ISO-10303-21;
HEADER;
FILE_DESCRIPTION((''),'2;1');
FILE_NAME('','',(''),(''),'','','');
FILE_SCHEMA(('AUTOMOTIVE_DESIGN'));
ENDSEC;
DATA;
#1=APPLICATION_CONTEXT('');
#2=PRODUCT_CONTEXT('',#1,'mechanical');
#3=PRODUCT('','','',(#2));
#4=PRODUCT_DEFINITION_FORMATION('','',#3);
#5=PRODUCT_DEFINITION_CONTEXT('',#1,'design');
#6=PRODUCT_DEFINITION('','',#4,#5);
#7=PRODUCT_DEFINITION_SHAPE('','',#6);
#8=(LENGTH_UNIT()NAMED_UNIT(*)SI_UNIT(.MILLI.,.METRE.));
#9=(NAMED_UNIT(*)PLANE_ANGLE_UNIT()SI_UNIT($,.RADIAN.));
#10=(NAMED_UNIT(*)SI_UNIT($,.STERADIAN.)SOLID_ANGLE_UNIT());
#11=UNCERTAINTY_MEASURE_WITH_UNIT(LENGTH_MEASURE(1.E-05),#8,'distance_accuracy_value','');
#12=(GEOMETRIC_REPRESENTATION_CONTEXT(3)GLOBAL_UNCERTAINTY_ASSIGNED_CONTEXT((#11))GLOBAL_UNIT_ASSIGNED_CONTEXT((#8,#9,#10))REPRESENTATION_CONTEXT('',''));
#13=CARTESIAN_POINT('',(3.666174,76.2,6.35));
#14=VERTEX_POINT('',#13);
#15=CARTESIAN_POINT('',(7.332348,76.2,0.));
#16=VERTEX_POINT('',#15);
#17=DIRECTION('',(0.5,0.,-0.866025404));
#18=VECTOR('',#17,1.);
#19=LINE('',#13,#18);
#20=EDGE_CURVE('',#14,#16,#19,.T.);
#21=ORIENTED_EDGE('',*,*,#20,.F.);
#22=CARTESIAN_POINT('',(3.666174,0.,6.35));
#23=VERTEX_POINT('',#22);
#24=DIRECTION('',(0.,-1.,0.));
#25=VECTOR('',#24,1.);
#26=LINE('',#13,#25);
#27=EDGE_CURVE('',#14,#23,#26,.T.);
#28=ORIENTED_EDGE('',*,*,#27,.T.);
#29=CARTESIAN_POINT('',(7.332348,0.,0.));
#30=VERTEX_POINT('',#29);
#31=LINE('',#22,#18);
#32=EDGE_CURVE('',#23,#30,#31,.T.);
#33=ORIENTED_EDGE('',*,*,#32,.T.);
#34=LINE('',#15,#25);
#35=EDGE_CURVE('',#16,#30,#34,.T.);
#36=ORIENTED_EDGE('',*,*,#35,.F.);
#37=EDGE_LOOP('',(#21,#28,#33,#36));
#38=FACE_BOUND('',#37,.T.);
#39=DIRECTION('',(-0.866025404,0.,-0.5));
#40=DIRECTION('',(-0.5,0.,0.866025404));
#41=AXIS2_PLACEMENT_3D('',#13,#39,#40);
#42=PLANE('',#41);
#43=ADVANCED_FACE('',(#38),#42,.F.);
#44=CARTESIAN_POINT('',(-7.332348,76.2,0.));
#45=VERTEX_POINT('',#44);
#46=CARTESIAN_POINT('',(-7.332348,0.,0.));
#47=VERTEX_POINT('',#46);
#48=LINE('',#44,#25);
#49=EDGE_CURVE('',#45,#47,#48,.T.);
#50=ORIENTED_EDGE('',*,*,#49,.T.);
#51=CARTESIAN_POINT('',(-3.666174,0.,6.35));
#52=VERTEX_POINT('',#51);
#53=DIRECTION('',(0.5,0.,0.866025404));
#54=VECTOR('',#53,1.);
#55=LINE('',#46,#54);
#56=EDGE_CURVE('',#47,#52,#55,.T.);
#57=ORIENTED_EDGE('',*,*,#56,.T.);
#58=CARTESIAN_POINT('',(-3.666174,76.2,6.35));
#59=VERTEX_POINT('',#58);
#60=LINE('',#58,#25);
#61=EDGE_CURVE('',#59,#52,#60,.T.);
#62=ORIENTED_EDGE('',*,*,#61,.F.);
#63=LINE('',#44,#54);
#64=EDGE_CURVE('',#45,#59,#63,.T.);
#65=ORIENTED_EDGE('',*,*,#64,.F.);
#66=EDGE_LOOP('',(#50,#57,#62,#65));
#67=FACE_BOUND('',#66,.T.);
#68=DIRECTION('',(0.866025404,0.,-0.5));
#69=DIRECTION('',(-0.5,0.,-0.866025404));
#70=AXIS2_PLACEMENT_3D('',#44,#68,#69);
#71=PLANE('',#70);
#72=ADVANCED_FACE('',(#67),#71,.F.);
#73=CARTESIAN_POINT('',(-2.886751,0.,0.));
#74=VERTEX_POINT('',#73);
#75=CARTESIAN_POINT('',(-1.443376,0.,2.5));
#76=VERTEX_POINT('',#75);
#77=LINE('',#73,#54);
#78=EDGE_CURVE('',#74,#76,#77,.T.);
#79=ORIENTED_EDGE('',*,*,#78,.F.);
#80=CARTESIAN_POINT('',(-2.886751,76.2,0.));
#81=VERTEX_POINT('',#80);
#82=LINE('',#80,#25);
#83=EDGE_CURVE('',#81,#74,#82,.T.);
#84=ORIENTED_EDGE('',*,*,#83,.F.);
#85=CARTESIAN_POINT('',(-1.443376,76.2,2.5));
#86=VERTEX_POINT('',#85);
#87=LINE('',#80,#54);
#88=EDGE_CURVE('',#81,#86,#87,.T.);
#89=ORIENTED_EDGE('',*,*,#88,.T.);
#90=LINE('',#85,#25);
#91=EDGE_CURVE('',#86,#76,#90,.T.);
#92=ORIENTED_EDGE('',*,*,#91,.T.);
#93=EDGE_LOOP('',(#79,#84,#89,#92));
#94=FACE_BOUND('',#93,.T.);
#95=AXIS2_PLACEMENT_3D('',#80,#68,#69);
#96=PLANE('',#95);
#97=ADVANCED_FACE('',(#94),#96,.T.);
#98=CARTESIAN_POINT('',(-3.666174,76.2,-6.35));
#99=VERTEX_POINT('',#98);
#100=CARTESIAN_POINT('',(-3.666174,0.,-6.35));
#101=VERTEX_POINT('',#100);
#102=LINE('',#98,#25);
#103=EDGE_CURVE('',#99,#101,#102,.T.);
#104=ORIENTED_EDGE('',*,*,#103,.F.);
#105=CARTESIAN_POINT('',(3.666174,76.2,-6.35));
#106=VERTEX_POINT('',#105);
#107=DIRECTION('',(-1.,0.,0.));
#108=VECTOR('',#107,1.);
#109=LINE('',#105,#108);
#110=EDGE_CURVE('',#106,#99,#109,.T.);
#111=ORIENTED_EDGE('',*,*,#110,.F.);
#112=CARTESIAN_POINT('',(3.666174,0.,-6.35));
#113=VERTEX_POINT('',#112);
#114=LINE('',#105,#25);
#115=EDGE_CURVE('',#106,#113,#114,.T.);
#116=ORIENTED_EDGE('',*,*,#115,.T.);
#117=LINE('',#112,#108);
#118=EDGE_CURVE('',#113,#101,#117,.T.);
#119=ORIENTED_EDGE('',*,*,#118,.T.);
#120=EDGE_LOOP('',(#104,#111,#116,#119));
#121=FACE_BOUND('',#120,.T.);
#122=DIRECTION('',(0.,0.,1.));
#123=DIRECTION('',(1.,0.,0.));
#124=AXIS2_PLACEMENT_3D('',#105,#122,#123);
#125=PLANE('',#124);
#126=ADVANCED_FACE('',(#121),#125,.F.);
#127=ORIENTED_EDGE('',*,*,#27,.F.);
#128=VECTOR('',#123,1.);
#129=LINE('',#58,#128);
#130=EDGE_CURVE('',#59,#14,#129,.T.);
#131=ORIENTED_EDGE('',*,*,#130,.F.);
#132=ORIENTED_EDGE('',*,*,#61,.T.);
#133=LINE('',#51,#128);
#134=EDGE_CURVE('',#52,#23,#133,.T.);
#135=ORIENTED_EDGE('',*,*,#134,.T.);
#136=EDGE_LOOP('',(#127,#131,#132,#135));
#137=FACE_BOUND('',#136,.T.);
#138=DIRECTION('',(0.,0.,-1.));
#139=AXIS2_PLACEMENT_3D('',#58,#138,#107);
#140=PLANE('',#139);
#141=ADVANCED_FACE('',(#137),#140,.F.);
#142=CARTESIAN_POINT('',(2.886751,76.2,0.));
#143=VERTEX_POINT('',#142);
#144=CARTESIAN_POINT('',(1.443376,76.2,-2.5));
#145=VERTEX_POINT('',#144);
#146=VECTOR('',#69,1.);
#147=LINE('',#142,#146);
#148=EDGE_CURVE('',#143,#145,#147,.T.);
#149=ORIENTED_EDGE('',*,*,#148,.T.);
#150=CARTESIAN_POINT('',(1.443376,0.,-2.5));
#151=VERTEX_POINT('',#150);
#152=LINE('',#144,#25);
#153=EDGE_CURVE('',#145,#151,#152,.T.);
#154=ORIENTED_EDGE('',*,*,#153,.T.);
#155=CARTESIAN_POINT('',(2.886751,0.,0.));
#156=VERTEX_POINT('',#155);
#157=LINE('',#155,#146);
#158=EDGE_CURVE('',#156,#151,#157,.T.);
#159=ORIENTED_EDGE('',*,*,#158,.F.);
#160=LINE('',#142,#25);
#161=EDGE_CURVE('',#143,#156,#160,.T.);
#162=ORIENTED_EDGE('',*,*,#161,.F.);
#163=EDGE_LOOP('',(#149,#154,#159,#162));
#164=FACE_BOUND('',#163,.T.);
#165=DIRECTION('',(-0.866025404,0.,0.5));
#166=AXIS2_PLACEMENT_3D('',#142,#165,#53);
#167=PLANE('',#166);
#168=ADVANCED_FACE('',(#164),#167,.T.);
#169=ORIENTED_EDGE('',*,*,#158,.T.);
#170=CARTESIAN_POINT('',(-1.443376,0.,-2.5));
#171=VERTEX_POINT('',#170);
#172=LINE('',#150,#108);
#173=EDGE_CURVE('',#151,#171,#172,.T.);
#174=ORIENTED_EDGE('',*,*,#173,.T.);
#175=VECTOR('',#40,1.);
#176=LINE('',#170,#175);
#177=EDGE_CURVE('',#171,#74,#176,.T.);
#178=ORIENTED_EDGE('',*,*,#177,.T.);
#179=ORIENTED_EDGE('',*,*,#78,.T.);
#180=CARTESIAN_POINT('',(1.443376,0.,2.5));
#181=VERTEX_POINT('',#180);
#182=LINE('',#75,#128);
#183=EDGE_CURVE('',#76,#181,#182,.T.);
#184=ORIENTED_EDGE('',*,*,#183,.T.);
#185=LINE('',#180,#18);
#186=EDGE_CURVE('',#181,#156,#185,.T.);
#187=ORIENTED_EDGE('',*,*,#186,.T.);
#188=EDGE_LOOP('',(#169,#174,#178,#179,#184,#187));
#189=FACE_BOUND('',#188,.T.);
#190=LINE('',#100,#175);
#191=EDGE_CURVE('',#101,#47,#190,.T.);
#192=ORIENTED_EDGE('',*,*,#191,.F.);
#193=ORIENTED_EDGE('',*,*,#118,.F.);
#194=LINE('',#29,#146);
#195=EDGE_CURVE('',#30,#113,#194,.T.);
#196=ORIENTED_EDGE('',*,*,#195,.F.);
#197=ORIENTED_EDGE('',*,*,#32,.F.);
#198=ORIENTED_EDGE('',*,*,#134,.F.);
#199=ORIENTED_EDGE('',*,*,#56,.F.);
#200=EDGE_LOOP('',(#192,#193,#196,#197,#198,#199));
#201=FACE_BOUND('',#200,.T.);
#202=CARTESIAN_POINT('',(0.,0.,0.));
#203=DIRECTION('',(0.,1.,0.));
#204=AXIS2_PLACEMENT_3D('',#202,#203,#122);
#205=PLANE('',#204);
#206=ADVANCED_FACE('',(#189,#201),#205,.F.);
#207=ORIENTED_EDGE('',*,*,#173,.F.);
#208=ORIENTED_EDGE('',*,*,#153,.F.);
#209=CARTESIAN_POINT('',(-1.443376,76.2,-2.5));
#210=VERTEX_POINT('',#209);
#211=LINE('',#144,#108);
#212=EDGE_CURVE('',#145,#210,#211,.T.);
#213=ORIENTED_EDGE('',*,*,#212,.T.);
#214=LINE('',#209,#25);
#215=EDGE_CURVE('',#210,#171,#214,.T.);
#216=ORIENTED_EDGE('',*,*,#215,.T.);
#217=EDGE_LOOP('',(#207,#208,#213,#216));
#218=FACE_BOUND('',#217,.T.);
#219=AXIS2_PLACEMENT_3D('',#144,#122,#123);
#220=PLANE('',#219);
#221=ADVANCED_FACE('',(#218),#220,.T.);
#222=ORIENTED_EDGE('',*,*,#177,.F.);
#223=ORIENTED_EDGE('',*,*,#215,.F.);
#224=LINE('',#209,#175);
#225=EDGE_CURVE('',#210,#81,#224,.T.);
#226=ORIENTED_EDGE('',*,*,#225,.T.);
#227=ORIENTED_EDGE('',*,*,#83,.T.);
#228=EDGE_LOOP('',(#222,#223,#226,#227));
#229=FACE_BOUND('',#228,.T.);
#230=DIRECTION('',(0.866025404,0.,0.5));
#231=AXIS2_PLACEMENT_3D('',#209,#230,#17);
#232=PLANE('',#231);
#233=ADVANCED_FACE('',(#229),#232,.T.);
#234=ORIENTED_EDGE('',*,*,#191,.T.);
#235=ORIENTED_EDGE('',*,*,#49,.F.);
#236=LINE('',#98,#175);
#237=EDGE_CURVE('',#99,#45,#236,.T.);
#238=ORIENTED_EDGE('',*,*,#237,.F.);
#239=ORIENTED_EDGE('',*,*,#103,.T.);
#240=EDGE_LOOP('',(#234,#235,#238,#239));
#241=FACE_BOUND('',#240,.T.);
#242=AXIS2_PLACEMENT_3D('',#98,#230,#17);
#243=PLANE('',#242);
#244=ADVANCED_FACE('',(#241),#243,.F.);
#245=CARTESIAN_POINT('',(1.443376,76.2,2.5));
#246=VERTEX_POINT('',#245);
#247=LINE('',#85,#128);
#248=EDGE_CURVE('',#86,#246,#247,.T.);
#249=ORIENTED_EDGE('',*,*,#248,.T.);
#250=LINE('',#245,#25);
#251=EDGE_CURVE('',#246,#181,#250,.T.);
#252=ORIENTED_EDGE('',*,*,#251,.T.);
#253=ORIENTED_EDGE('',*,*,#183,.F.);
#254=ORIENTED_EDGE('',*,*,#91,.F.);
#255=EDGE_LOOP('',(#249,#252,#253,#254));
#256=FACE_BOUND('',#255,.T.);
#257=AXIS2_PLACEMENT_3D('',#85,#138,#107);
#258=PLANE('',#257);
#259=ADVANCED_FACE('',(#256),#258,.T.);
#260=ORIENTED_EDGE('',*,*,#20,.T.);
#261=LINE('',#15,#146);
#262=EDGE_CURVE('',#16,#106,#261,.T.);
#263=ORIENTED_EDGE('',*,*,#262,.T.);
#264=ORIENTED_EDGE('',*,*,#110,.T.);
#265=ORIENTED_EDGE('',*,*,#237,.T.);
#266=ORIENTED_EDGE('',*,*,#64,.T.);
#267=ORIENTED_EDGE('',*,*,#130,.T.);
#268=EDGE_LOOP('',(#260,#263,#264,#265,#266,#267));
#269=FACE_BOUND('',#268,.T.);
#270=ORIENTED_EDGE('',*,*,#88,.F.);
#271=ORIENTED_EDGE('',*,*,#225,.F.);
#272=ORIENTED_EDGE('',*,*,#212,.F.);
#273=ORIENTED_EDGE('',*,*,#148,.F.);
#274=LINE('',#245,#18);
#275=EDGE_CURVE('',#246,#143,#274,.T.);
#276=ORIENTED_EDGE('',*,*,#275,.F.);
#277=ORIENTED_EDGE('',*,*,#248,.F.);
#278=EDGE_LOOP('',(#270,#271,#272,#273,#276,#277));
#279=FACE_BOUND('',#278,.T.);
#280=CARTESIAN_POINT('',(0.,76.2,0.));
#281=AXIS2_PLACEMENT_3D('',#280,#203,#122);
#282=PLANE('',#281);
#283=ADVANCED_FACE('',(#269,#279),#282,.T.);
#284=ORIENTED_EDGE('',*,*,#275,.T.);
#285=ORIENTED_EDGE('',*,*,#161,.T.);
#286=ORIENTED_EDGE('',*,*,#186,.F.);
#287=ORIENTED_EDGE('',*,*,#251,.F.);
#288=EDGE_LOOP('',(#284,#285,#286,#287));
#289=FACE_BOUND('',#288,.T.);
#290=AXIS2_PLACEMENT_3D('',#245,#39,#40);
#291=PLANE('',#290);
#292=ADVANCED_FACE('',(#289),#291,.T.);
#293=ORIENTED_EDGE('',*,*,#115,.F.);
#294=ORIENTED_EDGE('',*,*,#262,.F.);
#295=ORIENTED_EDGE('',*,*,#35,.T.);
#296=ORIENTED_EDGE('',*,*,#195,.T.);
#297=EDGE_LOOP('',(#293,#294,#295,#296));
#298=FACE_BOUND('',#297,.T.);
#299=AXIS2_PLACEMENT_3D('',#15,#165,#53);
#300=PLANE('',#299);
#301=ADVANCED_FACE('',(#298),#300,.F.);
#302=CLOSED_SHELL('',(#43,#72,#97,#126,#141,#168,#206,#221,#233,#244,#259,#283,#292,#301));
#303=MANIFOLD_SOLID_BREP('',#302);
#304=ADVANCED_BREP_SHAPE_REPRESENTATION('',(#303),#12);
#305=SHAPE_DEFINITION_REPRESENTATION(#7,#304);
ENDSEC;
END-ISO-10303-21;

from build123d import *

# Parameters (mm, degrees)
BOSS_EXTRUDE1_DEPTH = 76.2


with BuildPart() as part:
    # Sketch1 → Boss-Extrude1 (new body)
    with BuildSketch(Plane(origin=(0, 0, 0), x_dir=(1, 0, 0), z_dir=(0, 1, 0))):
        Polygon((7.332348419, 0), (3.666174209, 6.35), (-3.666174209, 6.35), (-7.332348419, 0), (-3.666174209, -6.35), (3.666174209, -6.35), align=None)
        Polygon((2.886751346, 0), (1.443375673, 2.5), (-1.443375673, 2.5), (-2.886751346, 0), (-1.443375673, -2.5), (1.443375673, -2.5), align=None, mode=Mode.SUBTRACT)
    extrude(amount=BOSS_EXTRUDE1_DEPTH)


solid = part.part
